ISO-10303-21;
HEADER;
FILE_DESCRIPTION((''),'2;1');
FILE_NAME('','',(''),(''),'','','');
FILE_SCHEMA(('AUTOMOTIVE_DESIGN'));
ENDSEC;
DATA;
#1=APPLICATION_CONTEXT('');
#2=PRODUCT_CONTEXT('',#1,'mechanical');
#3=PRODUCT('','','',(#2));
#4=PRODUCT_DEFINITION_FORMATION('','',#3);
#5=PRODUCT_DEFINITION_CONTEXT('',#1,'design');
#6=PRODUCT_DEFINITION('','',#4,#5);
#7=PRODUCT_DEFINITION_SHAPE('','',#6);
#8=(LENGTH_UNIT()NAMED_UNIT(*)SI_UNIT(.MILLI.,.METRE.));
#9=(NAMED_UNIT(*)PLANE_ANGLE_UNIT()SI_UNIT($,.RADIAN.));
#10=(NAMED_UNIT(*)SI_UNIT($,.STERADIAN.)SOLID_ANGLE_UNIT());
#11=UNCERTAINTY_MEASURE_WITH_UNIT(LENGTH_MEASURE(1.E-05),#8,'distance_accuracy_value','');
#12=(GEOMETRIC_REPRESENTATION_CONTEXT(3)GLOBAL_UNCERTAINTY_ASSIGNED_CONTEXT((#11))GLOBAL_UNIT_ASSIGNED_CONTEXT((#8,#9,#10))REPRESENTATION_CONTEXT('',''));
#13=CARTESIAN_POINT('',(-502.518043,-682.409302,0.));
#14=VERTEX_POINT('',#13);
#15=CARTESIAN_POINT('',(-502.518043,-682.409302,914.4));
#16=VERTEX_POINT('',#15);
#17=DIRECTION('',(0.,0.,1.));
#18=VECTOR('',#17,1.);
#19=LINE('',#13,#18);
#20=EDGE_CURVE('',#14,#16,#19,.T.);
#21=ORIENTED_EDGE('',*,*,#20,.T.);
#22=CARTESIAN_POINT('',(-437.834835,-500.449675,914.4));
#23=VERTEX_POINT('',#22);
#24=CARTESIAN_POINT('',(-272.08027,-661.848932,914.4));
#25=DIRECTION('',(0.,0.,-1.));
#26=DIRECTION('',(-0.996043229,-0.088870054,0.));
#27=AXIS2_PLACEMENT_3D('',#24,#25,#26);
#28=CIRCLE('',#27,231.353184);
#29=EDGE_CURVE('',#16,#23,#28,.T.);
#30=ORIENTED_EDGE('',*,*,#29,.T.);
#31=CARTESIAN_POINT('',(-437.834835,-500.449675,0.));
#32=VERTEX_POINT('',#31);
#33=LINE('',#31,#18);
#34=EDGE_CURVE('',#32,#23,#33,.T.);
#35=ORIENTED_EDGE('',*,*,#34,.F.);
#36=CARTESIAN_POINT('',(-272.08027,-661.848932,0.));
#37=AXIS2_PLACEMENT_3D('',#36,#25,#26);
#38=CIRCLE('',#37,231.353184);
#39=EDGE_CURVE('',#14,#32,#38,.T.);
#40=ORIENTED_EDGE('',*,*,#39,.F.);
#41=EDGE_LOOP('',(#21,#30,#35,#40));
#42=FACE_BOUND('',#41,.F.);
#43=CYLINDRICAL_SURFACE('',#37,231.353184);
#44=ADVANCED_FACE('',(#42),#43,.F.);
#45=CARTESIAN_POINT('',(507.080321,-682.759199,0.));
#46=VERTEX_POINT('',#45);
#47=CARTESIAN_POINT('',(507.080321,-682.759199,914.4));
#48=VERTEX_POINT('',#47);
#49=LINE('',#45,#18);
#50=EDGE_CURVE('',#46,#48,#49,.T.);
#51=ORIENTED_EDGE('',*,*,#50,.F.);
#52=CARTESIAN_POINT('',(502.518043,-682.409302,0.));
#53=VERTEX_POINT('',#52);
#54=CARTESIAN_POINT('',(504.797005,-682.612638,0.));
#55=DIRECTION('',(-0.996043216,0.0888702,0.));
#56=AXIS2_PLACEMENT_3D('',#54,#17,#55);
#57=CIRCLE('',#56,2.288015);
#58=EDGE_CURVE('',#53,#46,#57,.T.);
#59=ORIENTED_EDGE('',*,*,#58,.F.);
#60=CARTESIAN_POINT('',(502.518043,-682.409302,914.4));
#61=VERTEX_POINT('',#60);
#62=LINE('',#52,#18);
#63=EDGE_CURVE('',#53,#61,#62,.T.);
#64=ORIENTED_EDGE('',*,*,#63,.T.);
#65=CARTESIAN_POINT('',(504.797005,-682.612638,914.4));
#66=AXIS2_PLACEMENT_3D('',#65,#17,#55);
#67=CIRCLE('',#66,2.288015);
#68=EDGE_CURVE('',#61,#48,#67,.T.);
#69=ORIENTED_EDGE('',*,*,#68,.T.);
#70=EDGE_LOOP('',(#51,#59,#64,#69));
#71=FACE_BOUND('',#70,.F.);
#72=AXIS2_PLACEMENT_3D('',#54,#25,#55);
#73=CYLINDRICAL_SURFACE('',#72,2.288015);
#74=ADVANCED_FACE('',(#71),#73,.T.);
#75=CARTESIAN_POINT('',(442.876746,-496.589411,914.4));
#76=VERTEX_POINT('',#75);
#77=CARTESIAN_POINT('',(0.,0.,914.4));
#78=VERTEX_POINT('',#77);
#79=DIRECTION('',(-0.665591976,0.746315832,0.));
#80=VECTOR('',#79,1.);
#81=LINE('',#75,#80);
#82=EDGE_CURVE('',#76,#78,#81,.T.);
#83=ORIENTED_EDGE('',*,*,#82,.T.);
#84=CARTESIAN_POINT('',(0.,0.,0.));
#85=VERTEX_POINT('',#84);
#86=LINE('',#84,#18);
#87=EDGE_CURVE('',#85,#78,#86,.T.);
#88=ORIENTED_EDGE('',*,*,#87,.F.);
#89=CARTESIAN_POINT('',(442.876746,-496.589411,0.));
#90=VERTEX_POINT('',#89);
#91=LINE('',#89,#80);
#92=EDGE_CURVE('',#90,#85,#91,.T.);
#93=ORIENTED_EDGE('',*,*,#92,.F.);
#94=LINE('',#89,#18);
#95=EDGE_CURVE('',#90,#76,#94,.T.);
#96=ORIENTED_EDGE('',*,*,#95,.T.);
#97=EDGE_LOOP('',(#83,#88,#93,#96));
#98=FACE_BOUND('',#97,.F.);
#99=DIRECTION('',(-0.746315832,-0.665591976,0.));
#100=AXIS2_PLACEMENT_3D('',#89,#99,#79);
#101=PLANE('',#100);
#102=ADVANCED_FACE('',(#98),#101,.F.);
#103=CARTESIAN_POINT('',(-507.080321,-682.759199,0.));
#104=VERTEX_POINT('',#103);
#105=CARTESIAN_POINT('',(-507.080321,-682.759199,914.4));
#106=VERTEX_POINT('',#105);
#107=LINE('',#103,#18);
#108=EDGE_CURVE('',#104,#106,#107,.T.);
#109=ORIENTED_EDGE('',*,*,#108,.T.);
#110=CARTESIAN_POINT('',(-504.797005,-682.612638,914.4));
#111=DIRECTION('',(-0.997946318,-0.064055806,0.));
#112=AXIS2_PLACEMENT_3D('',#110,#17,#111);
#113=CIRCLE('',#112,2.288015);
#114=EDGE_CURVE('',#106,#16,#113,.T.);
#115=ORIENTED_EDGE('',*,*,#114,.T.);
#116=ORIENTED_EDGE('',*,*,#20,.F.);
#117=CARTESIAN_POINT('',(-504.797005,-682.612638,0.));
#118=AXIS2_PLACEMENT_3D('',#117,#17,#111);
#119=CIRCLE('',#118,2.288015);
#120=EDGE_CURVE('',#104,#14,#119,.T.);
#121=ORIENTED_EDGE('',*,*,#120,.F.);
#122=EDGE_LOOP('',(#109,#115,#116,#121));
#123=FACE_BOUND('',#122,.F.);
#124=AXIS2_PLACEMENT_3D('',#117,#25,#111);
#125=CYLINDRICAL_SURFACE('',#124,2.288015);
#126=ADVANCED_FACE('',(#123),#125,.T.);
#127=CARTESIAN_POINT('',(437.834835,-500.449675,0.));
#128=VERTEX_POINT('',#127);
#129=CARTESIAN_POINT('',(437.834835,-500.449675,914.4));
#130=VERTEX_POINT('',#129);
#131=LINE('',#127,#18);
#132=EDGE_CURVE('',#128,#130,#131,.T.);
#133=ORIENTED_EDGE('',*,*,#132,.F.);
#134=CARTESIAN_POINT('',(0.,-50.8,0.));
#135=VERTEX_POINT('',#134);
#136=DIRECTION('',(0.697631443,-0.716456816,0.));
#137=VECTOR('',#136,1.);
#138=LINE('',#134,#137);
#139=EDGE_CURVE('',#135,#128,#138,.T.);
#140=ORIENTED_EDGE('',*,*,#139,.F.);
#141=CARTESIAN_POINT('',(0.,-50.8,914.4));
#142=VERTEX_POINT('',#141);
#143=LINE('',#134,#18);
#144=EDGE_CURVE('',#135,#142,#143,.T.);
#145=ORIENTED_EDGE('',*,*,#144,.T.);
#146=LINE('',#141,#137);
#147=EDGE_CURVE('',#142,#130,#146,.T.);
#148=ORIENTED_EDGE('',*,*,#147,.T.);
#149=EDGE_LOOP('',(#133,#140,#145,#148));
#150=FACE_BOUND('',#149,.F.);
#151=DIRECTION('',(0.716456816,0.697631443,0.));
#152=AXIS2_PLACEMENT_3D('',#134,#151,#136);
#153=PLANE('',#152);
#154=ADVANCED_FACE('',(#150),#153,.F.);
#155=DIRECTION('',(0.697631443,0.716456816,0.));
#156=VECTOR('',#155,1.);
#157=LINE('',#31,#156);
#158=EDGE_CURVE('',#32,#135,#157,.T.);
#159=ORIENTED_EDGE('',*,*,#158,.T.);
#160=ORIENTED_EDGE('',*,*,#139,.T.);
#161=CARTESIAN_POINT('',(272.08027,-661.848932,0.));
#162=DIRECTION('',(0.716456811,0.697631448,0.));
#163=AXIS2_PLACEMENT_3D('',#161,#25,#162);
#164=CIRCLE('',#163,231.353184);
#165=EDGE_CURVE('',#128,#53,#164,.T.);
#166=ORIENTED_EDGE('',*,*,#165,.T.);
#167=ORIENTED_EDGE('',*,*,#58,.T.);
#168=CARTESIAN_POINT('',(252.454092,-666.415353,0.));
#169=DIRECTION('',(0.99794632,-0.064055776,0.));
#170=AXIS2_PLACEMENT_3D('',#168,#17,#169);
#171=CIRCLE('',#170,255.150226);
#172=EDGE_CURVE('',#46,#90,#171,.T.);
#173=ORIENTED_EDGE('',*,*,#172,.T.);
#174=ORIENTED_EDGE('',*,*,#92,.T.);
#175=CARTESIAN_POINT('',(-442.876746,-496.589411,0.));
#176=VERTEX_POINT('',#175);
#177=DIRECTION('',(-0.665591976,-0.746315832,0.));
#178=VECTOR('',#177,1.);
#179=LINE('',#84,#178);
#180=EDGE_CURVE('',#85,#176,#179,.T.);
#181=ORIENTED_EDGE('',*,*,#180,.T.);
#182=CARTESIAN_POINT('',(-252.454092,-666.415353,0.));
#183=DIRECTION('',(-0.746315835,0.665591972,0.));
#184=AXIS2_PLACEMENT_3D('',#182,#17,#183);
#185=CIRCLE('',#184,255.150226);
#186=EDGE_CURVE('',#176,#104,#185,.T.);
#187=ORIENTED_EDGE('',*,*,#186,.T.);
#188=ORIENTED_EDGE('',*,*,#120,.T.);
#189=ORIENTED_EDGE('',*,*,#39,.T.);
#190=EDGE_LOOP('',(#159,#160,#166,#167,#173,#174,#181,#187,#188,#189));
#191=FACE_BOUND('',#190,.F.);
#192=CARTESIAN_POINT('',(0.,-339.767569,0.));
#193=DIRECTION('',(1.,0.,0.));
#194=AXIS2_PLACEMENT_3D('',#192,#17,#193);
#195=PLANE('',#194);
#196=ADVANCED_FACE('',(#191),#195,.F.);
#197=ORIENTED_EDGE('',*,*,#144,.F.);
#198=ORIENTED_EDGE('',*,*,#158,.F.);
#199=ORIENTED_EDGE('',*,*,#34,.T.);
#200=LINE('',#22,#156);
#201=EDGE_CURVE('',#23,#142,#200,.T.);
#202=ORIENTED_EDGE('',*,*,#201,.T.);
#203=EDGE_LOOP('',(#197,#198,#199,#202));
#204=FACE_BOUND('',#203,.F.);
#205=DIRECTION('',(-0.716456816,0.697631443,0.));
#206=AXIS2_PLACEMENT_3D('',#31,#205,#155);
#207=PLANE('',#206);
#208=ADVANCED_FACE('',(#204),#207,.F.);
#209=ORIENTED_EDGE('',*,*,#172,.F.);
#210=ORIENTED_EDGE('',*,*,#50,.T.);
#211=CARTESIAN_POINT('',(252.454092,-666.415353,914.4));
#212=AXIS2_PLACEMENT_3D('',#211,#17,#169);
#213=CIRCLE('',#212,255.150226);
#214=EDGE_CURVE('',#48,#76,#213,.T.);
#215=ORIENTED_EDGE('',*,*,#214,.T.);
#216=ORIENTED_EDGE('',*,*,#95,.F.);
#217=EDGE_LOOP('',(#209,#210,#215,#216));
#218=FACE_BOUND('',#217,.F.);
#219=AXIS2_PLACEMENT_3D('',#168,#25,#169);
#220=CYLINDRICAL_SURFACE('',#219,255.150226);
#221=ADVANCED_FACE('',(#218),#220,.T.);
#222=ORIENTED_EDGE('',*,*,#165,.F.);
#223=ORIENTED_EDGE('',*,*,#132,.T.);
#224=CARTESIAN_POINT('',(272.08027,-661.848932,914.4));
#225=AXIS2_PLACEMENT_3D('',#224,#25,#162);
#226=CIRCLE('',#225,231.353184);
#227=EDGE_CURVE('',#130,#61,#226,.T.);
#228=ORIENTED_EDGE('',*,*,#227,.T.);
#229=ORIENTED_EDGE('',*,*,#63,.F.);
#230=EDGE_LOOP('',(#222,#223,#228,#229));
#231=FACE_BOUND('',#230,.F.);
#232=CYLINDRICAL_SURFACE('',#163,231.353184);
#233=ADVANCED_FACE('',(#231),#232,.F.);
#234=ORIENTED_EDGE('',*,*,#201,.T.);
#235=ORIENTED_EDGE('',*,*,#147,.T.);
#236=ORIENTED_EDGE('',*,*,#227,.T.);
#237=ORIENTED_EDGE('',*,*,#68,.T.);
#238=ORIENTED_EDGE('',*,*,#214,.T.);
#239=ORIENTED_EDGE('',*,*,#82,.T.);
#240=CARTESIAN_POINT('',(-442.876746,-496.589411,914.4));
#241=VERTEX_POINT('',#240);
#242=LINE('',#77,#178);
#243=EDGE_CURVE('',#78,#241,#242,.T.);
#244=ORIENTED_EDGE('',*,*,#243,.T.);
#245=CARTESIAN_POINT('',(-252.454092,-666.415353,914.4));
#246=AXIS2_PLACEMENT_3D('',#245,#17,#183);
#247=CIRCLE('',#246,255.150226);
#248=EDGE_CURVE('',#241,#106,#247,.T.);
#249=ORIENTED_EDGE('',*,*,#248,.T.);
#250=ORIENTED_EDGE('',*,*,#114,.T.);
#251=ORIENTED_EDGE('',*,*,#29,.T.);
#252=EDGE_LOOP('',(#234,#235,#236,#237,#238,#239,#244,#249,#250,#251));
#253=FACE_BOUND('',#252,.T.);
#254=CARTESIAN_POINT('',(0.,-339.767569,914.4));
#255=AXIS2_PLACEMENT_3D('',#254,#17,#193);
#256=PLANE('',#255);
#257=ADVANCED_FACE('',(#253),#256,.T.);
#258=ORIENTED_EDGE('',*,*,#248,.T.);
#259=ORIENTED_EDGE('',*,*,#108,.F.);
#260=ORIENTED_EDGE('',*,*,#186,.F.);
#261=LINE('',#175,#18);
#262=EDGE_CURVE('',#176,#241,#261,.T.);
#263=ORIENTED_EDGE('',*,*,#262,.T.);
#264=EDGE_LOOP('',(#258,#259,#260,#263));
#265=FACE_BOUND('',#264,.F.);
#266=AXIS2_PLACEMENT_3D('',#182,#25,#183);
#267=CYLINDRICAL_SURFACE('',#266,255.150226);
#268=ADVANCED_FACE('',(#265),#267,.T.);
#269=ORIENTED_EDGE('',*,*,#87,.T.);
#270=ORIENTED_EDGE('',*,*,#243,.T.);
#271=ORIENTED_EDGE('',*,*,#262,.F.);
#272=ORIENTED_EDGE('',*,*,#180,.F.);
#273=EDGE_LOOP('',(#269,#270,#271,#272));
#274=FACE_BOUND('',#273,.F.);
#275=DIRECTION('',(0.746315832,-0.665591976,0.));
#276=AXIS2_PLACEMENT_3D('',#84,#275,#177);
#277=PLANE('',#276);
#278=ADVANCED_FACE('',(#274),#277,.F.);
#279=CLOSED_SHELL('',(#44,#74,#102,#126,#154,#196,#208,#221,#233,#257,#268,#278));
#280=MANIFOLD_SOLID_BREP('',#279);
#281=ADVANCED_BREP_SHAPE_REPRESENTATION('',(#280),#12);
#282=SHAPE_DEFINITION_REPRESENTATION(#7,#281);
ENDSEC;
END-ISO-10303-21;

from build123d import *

# Parameters (mm, degrees)
F1_DEPTH = 914.4


with BuildPart() as f1:
    # F0 (on Top) → F1 (new body)
    with BuildSketch(Plane.XY):
        with BuildLine():
            Line((442.876746, -496.589411), (0, 0))
            Line((0, 0), (-442.876746, -496.589411))
            ThreePointArc((-442.876746, -496.589411), (-493.663388, -583.230539), (-507.080321, -682.759199))
            ThreePointArc((-507.080321, -682.759199), (-504.622043, -684.893954), (-502.518043, -682.409302))
            ThreePointArc((-502.518043, -682.409302), (-490.069762, -584.357788), (-437.834835, -500.449675))
            Line((-437.834835, -500.449675), (0, -50.8))
            Line((0, -50.8), (437.834835, -500.449675))
            ThreePointArc((437.834835, -500.449675), (490.069762, -584.357788), (502.518043, -682.409302))
            ThreePointArc((502.518043, -682.409302), (504.622043, -684.893954), (507.080321, -682.759199))
            ThreePointArc((507.080321, -682.759199), (493.663388, -583.230539), (442.876746, -496.589411))
        make_face()
    extrude(amount=F1_DEPTH)


solid = f1.part
